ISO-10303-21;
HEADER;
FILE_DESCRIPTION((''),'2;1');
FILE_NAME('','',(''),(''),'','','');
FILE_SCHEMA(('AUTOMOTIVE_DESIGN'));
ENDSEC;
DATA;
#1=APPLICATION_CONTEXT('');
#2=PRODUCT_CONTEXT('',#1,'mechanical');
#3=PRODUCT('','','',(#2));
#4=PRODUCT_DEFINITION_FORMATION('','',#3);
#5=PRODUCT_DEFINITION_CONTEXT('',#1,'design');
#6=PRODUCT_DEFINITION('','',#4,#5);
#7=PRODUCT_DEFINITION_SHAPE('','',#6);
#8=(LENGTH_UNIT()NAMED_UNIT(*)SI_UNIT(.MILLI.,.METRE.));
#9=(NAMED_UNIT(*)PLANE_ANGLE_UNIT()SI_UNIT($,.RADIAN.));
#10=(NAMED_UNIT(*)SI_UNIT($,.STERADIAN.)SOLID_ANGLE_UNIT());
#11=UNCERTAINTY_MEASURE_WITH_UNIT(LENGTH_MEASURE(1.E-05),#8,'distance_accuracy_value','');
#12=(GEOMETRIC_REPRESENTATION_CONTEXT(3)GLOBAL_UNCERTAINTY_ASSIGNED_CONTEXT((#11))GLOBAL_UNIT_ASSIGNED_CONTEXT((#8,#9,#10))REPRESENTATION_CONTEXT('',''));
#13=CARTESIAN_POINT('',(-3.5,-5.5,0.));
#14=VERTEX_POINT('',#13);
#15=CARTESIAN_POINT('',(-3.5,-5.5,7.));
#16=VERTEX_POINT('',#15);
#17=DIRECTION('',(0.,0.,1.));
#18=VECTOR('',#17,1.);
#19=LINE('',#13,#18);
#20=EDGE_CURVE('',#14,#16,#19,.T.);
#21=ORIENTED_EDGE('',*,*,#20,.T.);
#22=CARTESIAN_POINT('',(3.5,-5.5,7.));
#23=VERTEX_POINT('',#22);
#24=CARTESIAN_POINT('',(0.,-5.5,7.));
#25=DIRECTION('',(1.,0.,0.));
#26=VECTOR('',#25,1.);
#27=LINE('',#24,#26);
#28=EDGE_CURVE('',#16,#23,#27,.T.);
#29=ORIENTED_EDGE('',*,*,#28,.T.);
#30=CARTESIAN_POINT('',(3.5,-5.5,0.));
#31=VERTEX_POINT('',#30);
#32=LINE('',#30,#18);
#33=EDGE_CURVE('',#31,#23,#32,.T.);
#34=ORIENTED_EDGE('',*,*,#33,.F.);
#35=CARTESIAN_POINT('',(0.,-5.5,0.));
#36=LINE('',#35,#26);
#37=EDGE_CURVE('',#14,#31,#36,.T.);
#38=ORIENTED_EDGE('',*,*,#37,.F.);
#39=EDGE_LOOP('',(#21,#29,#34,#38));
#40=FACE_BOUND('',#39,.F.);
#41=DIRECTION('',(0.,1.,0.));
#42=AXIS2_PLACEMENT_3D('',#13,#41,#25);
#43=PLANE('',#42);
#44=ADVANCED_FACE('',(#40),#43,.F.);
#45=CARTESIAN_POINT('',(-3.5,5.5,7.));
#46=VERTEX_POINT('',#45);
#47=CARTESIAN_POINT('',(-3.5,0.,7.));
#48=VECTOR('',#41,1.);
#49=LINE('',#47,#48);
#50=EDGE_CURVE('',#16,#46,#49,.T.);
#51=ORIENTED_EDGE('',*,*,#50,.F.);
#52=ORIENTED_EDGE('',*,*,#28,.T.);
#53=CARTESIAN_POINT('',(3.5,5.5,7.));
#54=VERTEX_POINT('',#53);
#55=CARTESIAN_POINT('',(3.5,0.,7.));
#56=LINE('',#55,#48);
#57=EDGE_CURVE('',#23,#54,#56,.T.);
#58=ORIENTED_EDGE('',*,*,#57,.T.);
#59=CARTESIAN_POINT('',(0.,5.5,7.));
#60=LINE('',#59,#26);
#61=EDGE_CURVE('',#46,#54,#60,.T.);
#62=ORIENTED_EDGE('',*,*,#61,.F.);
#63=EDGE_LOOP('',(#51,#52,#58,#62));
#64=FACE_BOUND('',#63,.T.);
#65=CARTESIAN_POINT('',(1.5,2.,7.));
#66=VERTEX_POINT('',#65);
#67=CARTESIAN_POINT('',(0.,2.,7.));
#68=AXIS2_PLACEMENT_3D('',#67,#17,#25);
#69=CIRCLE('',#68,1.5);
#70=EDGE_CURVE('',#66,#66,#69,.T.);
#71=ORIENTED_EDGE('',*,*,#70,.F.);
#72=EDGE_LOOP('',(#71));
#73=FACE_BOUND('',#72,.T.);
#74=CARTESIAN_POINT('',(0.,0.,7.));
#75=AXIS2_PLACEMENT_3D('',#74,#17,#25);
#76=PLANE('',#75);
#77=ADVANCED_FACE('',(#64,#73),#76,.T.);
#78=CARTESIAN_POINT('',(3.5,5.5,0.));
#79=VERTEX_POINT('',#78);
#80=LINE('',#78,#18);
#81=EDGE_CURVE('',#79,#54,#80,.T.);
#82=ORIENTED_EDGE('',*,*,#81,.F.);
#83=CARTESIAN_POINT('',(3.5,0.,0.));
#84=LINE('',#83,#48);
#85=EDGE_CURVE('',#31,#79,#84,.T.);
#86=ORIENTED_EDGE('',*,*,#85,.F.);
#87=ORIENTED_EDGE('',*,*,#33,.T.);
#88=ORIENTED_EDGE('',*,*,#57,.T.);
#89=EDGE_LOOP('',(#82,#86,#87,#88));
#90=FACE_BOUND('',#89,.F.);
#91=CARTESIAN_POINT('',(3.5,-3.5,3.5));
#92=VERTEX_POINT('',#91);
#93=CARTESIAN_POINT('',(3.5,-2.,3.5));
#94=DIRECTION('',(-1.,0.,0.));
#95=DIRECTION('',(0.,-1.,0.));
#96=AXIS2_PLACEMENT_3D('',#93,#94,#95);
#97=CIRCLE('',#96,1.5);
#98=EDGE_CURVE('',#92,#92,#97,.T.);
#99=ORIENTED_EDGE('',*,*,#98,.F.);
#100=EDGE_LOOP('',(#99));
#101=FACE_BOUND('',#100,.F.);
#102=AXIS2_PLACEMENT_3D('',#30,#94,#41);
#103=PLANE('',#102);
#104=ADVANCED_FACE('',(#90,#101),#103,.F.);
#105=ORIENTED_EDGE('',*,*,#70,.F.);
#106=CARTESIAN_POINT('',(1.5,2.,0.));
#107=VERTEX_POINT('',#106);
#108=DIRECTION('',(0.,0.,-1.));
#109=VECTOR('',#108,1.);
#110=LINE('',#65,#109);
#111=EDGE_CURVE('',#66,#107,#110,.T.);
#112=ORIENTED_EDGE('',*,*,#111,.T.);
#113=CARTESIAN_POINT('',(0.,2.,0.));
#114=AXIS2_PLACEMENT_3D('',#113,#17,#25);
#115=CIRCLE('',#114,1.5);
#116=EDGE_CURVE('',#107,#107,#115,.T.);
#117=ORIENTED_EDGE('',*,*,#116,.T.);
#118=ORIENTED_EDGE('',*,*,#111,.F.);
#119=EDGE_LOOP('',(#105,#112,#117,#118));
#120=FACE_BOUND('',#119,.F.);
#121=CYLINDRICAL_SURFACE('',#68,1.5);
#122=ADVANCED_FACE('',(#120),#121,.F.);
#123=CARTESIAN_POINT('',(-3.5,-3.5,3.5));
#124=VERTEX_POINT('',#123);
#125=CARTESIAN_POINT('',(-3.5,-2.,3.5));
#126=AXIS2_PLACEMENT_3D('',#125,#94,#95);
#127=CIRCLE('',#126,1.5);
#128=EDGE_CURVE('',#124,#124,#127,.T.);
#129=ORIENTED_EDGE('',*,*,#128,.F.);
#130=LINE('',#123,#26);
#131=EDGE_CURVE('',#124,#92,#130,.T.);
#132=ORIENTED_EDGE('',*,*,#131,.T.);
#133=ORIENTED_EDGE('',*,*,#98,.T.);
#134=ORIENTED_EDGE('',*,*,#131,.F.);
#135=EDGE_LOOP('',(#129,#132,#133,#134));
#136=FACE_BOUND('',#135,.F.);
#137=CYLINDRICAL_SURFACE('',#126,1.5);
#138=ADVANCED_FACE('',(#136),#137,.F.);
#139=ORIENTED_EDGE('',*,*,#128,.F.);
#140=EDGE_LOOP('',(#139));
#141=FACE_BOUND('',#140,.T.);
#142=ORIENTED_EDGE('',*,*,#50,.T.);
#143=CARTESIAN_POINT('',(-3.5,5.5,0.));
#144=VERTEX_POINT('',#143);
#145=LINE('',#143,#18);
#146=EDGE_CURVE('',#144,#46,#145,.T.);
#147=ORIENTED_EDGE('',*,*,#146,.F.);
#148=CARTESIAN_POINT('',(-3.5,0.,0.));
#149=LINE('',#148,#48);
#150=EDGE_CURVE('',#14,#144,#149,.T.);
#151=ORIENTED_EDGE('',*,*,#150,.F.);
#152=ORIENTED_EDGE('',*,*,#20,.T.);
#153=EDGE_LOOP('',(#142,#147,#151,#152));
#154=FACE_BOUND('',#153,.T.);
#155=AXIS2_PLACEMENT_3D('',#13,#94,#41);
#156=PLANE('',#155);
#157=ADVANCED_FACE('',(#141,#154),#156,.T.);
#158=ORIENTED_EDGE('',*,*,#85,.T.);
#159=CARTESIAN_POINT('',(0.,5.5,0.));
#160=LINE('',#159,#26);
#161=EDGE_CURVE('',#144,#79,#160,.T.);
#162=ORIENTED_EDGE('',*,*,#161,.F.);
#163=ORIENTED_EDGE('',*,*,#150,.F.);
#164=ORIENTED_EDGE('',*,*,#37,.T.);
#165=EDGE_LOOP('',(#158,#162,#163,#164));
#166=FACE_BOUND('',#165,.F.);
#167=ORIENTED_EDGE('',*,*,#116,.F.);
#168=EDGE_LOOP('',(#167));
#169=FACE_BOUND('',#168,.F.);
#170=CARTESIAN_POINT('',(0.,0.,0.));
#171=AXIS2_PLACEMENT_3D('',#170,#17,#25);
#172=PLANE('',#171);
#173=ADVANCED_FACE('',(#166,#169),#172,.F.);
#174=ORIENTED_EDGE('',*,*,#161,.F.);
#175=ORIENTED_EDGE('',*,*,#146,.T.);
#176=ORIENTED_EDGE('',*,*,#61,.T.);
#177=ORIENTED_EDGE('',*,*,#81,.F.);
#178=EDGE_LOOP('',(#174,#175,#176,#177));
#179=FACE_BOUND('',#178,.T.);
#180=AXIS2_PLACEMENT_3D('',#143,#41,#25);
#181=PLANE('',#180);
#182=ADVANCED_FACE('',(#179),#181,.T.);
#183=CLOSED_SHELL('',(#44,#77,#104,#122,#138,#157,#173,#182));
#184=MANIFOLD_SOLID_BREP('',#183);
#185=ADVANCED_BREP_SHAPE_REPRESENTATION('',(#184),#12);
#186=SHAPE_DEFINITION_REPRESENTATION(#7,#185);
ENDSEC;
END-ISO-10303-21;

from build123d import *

# Parameters (mm, degrees)
F0_W     = 7
F0_H     = 11
F1_DEPTH = 7
F2_R     = 1.5
F3_DEPTH = 7.001
F4_R     = 1.5
F5_DEPTH = 25


with BuildPart() as f1:
    # F0 (on Top) → F1 (new body)
    with BuildSketch(Plane.XY):
        Rectangle(F0_W, F0_H)
    extrude(amount=F1_DEPTH)

    # F2 (on face) → F3 (cut, through all)
    with BuildSketch(Plane.XY.offset(7)):
        with Locations((0, 2)):
            Circle(F2_R)
    extrude(amount=-F3_DEPTH, mode=Mode.SUBTRACT)

    # F4 (on face) → F5 (cut)
    with BuildSketch(Plane(origin=(-3.5, 0, 0), x_dir=(0, -1, 0), z_dir=(-1, 0, 0))):
        with Locations((2, 3.5)):
            Circle(F4_R)
    extrude(amount=-F5_DEPTH, mode=Mode.SUBTRACT)


solid = f1.part
